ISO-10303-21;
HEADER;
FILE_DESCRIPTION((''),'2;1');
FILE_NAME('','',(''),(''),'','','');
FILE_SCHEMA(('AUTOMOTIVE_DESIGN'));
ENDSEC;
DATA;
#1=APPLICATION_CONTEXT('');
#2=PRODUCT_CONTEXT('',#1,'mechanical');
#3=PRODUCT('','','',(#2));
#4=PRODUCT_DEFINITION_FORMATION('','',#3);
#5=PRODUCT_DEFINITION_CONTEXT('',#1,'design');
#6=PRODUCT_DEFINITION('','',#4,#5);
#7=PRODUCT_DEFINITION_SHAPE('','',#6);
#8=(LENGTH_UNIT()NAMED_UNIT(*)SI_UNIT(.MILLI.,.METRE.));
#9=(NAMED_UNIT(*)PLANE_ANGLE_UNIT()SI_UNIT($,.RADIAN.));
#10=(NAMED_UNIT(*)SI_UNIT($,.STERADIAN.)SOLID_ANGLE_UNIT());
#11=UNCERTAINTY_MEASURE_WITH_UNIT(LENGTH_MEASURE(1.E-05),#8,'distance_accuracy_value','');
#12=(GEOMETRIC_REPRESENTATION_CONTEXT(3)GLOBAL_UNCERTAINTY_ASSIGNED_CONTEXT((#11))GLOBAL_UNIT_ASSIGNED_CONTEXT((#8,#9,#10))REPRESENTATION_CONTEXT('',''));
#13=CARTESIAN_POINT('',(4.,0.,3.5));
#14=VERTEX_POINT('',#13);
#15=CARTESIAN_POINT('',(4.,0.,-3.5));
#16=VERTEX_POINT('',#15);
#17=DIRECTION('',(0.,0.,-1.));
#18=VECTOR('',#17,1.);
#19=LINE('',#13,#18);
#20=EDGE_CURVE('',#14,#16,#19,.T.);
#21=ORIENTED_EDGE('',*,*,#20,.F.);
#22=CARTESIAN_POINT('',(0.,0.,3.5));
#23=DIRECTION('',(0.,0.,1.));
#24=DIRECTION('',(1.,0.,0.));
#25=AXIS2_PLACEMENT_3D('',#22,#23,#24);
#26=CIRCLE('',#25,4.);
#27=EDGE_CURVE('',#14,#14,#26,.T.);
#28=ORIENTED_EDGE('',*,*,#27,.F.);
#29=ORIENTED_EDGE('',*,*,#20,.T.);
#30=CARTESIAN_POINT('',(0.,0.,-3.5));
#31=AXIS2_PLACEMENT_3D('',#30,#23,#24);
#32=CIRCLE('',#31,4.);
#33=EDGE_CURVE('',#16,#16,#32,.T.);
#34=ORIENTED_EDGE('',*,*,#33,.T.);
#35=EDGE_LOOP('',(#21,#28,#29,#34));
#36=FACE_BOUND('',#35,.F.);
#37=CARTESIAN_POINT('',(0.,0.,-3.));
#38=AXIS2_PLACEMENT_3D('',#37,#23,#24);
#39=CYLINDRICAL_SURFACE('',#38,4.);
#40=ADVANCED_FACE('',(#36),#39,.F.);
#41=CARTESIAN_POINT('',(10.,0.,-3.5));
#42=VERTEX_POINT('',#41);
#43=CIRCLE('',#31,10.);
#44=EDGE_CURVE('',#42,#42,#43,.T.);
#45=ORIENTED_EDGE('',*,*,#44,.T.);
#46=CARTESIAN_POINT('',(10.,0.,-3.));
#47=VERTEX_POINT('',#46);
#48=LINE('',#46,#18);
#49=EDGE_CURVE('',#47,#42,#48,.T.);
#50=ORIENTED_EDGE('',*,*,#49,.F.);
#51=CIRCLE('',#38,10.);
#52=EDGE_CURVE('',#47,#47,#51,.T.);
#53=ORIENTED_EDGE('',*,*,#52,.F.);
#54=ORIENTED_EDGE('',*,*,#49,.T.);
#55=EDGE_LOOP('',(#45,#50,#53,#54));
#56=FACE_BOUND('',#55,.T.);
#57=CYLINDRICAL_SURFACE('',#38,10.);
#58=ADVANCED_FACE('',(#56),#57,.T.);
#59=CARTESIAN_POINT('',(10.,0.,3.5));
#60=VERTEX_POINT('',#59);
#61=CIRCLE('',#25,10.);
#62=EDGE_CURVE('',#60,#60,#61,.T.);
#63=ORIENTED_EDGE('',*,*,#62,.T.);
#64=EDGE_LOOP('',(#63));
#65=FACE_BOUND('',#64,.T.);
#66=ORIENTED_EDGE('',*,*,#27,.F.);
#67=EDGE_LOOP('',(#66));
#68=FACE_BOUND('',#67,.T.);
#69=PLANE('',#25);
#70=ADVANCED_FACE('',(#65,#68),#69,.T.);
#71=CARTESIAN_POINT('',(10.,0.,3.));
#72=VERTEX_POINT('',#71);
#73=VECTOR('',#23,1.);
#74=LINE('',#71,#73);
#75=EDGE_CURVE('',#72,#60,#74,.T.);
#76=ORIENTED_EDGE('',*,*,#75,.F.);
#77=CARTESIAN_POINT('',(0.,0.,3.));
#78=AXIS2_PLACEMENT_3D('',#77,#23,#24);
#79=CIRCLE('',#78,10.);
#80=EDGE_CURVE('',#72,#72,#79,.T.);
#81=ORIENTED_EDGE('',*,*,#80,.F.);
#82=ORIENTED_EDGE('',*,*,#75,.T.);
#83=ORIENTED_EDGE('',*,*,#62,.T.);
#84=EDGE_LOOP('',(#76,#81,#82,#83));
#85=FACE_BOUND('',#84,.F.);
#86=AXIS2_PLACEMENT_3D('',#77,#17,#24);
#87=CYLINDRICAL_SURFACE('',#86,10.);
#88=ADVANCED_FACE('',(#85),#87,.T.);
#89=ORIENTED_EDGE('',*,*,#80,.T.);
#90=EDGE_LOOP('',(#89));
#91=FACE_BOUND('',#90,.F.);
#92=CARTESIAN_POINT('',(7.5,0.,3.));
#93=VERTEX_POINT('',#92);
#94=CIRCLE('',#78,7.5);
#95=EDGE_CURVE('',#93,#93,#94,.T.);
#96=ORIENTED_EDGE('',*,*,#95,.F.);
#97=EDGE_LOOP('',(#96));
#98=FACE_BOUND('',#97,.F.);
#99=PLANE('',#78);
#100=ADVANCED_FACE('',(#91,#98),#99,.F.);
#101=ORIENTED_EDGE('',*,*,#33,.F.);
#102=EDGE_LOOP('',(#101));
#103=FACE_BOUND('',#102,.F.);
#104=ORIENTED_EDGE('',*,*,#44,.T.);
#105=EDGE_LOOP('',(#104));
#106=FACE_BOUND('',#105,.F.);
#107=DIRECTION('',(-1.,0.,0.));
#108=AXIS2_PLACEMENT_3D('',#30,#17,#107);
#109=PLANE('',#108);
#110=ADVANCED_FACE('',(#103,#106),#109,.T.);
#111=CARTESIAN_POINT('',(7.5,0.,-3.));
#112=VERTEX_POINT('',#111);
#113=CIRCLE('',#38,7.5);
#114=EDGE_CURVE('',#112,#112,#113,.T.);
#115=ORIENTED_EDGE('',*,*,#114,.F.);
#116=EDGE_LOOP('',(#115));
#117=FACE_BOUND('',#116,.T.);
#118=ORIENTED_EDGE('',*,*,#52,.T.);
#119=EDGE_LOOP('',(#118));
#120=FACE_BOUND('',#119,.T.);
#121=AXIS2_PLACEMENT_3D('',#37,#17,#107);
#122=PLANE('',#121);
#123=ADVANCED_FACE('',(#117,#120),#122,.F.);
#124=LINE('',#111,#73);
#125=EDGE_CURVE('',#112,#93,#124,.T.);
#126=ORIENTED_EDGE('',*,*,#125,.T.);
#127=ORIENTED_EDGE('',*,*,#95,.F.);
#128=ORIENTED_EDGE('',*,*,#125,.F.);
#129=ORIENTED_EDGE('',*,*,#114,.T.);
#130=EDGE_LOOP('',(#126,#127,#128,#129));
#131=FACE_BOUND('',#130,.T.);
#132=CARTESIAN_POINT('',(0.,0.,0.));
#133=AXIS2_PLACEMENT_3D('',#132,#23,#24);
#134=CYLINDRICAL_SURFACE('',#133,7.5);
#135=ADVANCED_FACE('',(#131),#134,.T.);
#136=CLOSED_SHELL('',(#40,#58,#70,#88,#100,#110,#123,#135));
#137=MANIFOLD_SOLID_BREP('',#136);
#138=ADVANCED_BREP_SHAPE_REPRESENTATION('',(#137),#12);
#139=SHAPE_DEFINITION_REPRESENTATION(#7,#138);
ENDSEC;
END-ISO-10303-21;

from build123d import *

# Parameters (mm, degrees)
F0_R     = 7.5
F0_R_2   = 4
F1_DEPTH = 3
F2_R     = 10
F2_R_2   = 7.5
F2_R_3   = 4
F3_DEPTH = 0.5


with BuildPart() as f1:
    # F0 (on Top) → F1 (new body)
    with BuildSketch(Plane.XY):
        Circle(F0_R)
        Circle(F0_R_2, mode=Mode.SUBTRACT)
    extrude(amount=F1_DEPTH)

    # F2 (on face) → F3 (join)
    with BuildSketch(Plane.XY.offset(3)):
        Circle(F2_R)
        Circle(F2_R_2, mode=Mode.SUBTRACT)
        Circle(F2_R_2)
        Circle(F2_R_3, mode=Mode.SUBTRACT)
    extrude(amount=F3_DEPTH)

    # F4: F1 across face


with BuildPart() as f1_1:
    add(f1.part)
    add(f1.part.mirror(Plane(origin=(0, 0, 0), x_dir=(1, 0, 0), z_dir=(0, 0, -1))))


solid = f1_1.part
